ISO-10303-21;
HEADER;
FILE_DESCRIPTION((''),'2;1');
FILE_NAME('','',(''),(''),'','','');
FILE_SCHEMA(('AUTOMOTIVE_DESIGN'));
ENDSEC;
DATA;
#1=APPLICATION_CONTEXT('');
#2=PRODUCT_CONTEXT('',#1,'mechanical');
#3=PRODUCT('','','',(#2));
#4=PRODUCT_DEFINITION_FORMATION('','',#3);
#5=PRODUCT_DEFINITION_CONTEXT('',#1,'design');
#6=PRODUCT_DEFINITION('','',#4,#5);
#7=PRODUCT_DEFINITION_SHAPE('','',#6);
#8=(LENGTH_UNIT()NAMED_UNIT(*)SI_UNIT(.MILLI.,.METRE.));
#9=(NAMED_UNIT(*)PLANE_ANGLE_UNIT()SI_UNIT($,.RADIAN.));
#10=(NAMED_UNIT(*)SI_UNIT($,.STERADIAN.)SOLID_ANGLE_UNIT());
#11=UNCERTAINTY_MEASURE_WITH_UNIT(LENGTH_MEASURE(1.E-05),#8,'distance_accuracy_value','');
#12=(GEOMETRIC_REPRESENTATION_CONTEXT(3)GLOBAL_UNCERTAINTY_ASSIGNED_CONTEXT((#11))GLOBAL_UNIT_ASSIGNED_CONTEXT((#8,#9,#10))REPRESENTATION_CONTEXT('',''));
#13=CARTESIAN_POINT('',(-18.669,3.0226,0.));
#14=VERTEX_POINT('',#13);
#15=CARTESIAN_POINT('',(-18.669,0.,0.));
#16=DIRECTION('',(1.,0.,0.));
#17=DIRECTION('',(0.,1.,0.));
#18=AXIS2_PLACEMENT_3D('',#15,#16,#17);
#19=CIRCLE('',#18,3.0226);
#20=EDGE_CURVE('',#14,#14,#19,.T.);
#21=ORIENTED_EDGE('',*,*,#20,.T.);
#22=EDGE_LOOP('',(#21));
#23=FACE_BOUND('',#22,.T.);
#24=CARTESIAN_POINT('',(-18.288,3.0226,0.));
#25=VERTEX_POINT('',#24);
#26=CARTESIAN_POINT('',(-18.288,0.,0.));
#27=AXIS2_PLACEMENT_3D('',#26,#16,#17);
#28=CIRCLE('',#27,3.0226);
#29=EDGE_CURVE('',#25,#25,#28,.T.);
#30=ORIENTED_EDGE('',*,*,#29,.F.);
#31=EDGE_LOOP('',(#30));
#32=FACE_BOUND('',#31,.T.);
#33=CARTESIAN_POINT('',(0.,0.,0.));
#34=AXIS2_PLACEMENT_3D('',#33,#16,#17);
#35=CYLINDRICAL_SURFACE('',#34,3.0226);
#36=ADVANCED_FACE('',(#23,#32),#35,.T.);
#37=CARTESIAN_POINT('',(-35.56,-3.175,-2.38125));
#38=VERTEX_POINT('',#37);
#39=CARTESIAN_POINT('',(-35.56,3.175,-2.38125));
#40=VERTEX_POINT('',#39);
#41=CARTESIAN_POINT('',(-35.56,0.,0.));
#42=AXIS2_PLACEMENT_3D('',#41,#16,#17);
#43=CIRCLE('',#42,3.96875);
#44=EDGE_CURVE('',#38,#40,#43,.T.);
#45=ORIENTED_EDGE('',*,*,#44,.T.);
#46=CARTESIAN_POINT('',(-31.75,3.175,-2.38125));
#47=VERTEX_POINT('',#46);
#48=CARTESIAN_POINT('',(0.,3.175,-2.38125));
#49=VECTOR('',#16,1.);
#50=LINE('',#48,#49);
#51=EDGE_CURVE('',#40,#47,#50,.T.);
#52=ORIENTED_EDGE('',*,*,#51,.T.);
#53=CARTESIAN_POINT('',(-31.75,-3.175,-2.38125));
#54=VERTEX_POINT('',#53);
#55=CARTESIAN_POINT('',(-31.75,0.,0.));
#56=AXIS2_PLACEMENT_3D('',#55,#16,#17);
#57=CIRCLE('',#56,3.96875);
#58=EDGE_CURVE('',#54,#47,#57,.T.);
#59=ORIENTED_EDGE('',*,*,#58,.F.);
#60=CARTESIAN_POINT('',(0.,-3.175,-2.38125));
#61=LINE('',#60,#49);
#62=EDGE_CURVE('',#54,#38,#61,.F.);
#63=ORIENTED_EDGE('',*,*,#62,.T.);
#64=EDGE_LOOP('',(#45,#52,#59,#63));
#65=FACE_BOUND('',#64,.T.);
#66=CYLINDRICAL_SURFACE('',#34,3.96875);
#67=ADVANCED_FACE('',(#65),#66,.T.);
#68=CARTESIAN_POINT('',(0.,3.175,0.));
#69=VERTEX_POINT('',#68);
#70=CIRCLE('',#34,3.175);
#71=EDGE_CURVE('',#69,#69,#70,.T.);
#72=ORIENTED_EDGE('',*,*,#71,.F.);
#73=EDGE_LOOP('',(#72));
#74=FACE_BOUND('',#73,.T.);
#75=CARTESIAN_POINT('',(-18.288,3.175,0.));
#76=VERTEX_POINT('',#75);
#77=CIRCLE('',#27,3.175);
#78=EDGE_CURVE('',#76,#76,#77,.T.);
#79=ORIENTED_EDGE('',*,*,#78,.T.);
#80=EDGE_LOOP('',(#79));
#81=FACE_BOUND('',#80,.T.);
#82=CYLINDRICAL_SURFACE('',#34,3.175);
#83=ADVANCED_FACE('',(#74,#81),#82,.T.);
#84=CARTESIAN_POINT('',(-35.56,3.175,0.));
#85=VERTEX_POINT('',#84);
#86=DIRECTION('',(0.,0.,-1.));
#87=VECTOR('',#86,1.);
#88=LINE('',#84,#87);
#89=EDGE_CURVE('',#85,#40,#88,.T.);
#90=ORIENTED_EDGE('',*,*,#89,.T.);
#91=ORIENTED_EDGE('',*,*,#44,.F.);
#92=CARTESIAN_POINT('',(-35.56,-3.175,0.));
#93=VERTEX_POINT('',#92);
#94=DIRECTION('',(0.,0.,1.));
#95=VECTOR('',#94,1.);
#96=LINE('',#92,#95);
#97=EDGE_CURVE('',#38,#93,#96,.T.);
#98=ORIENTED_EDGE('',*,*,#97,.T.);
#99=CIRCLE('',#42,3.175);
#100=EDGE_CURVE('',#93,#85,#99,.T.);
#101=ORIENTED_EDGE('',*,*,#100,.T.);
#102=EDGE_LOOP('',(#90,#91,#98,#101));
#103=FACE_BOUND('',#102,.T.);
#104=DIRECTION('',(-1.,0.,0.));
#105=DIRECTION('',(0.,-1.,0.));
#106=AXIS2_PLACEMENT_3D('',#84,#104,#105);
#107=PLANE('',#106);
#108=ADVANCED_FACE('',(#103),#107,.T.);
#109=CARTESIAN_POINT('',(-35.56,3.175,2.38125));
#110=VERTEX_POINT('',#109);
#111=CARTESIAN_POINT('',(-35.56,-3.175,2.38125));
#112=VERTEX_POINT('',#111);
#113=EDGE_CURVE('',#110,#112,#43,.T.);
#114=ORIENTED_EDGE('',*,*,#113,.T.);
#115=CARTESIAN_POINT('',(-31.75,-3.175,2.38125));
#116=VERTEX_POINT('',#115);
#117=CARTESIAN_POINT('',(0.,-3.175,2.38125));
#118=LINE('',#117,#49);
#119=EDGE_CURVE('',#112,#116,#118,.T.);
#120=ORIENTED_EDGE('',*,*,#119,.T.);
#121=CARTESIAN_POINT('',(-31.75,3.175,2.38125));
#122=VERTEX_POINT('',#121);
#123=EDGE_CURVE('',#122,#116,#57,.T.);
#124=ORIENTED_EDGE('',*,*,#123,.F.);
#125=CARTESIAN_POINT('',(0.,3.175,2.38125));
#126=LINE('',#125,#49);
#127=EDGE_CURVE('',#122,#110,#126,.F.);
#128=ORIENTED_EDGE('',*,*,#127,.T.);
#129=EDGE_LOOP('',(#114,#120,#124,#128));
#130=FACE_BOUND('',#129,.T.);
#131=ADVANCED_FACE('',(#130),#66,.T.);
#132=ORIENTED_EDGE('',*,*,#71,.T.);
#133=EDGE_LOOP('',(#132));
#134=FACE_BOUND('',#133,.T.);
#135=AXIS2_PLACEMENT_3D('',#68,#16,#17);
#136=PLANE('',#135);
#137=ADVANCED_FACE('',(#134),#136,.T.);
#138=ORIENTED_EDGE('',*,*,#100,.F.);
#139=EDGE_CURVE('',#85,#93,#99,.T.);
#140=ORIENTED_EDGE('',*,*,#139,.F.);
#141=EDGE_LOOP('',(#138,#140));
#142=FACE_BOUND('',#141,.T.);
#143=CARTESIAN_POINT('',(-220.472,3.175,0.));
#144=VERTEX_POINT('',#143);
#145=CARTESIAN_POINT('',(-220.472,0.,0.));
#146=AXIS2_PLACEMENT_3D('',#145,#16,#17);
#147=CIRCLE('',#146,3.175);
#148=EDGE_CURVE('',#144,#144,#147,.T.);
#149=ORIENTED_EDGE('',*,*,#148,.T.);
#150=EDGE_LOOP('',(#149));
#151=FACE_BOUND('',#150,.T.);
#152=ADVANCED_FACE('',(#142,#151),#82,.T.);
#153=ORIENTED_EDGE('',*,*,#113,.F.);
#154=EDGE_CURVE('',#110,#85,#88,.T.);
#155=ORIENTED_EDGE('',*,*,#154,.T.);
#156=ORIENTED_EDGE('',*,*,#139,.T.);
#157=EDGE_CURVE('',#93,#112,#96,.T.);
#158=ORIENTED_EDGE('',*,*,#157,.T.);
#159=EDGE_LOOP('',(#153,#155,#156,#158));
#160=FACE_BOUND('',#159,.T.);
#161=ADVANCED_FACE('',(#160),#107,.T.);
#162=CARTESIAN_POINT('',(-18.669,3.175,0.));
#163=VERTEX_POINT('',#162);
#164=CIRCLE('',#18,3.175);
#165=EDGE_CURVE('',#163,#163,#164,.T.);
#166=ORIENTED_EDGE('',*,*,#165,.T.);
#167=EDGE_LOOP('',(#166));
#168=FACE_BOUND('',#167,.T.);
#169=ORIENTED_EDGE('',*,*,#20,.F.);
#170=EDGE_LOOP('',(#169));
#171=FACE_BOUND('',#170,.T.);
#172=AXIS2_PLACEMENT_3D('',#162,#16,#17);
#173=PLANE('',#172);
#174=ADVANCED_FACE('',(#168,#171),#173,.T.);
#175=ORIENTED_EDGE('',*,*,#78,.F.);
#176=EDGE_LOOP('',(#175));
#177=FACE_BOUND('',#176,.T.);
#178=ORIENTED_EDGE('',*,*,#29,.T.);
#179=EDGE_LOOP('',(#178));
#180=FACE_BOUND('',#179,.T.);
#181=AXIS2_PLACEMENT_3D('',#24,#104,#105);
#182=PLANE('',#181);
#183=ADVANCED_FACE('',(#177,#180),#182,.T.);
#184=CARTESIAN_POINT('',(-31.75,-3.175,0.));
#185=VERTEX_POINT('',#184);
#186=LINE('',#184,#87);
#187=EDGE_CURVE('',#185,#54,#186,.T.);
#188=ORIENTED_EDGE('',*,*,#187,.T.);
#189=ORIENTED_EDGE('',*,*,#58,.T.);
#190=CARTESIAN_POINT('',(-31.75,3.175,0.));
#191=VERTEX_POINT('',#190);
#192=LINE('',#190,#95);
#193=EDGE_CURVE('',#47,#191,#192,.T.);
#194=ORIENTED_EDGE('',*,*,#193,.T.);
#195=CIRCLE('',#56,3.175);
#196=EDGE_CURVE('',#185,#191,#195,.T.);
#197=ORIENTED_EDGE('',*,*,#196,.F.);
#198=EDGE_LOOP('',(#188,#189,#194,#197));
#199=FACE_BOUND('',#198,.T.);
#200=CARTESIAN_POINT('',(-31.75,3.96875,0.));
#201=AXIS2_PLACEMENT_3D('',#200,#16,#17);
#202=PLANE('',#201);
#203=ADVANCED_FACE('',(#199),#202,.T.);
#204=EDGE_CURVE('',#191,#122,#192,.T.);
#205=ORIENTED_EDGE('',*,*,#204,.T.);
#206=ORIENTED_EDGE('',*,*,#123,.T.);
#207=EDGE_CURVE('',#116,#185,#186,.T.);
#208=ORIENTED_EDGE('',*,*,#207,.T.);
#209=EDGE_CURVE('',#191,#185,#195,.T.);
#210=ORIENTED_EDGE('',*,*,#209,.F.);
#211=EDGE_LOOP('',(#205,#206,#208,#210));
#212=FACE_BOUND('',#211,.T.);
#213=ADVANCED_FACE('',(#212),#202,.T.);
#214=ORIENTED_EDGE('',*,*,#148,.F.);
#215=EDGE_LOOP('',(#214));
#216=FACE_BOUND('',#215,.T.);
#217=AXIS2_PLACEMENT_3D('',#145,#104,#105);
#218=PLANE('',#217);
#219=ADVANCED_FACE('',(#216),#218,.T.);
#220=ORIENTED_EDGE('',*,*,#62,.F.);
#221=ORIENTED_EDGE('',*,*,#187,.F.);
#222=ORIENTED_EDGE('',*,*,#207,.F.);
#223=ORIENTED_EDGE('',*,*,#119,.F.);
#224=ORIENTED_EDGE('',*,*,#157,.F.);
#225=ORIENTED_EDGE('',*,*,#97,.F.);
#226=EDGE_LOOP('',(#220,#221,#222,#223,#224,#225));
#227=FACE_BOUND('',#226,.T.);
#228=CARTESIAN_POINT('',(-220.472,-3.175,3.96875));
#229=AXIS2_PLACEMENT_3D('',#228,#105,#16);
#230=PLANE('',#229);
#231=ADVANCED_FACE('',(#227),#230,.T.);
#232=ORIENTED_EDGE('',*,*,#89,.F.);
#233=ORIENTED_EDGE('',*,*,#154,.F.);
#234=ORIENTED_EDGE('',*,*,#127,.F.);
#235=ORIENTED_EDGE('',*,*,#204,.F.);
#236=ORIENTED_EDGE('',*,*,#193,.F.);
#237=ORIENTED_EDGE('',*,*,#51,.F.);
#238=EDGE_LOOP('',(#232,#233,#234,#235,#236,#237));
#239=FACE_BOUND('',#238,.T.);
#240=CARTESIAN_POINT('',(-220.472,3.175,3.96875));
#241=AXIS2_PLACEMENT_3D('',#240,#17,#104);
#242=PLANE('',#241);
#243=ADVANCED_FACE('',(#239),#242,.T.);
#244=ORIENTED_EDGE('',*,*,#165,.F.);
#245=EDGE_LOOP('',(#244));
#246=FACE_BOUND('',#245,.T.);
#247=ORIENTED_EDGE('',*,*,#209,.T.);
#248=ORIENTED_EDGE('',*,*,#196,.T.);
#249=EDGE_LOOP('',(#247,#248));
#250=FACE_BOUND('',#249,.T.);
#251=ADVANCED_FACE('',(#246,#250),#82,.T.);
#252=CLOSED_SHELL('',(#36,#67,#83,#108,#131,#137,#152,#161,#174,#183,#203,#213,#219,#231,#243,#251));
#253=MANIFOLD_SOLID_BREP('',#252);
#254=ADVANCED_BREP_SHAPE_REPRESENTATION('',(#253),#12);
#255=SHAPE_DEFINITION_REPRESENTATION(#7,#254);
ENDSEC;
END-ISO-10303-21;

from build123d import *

# Parameters (mm, degrees)
SKETCH2_OUTSIDE_W   = 54.09
SKETCH2_OUTSIDE_H   = 54.09
SKETCH2_OUTSIDE_W_2 = 7.9375
SKETCH2_OUTSIDE_H_2 = 6.35
CUT_EXTRUDE1_DEPTH  = 221.472


with BuildPart() as part:
    # Sketch1 → Revolve1 (revolve)
    with BuildSketch(Plane.XY):
        Polygon((0, 0), (-220.472, 0), (-220.472, 3.175), (-35.56, 3.175), (-35.56, 3.96875), (-31.75, 3.96875), (-31.75, 3.175), (-18.669, 3.175), (-18.669, 3.0226), (-18.288, 3.0226), (-18.288, 3.175), (0, 3.175), align=None)
    revolve(axis=Axis((0, 0, 0), (-1, 0, 0)))

    # Sketch2 outside → Cut-Extrude1 (cut, through all)
    with BuildSketch(Plane(origin=(0, 0, 0), x_dir=(0, 0, -1), z_dir=(1, 0, 0))):
        Rectangle(SKETCH2_OUTSIDE_W, SKETCH2_OUTSIDE_H)
        Rectangle(SKETCH2_OUTSIDE_W_2, SKETCH2_OUTSIDE_H_2, mode=Mode.SUBTRACT)
    extrude(amount=-CUT_EXTRUDE1_DEPTH, mode=Mode.SUBTRACT)


solid = part.part
